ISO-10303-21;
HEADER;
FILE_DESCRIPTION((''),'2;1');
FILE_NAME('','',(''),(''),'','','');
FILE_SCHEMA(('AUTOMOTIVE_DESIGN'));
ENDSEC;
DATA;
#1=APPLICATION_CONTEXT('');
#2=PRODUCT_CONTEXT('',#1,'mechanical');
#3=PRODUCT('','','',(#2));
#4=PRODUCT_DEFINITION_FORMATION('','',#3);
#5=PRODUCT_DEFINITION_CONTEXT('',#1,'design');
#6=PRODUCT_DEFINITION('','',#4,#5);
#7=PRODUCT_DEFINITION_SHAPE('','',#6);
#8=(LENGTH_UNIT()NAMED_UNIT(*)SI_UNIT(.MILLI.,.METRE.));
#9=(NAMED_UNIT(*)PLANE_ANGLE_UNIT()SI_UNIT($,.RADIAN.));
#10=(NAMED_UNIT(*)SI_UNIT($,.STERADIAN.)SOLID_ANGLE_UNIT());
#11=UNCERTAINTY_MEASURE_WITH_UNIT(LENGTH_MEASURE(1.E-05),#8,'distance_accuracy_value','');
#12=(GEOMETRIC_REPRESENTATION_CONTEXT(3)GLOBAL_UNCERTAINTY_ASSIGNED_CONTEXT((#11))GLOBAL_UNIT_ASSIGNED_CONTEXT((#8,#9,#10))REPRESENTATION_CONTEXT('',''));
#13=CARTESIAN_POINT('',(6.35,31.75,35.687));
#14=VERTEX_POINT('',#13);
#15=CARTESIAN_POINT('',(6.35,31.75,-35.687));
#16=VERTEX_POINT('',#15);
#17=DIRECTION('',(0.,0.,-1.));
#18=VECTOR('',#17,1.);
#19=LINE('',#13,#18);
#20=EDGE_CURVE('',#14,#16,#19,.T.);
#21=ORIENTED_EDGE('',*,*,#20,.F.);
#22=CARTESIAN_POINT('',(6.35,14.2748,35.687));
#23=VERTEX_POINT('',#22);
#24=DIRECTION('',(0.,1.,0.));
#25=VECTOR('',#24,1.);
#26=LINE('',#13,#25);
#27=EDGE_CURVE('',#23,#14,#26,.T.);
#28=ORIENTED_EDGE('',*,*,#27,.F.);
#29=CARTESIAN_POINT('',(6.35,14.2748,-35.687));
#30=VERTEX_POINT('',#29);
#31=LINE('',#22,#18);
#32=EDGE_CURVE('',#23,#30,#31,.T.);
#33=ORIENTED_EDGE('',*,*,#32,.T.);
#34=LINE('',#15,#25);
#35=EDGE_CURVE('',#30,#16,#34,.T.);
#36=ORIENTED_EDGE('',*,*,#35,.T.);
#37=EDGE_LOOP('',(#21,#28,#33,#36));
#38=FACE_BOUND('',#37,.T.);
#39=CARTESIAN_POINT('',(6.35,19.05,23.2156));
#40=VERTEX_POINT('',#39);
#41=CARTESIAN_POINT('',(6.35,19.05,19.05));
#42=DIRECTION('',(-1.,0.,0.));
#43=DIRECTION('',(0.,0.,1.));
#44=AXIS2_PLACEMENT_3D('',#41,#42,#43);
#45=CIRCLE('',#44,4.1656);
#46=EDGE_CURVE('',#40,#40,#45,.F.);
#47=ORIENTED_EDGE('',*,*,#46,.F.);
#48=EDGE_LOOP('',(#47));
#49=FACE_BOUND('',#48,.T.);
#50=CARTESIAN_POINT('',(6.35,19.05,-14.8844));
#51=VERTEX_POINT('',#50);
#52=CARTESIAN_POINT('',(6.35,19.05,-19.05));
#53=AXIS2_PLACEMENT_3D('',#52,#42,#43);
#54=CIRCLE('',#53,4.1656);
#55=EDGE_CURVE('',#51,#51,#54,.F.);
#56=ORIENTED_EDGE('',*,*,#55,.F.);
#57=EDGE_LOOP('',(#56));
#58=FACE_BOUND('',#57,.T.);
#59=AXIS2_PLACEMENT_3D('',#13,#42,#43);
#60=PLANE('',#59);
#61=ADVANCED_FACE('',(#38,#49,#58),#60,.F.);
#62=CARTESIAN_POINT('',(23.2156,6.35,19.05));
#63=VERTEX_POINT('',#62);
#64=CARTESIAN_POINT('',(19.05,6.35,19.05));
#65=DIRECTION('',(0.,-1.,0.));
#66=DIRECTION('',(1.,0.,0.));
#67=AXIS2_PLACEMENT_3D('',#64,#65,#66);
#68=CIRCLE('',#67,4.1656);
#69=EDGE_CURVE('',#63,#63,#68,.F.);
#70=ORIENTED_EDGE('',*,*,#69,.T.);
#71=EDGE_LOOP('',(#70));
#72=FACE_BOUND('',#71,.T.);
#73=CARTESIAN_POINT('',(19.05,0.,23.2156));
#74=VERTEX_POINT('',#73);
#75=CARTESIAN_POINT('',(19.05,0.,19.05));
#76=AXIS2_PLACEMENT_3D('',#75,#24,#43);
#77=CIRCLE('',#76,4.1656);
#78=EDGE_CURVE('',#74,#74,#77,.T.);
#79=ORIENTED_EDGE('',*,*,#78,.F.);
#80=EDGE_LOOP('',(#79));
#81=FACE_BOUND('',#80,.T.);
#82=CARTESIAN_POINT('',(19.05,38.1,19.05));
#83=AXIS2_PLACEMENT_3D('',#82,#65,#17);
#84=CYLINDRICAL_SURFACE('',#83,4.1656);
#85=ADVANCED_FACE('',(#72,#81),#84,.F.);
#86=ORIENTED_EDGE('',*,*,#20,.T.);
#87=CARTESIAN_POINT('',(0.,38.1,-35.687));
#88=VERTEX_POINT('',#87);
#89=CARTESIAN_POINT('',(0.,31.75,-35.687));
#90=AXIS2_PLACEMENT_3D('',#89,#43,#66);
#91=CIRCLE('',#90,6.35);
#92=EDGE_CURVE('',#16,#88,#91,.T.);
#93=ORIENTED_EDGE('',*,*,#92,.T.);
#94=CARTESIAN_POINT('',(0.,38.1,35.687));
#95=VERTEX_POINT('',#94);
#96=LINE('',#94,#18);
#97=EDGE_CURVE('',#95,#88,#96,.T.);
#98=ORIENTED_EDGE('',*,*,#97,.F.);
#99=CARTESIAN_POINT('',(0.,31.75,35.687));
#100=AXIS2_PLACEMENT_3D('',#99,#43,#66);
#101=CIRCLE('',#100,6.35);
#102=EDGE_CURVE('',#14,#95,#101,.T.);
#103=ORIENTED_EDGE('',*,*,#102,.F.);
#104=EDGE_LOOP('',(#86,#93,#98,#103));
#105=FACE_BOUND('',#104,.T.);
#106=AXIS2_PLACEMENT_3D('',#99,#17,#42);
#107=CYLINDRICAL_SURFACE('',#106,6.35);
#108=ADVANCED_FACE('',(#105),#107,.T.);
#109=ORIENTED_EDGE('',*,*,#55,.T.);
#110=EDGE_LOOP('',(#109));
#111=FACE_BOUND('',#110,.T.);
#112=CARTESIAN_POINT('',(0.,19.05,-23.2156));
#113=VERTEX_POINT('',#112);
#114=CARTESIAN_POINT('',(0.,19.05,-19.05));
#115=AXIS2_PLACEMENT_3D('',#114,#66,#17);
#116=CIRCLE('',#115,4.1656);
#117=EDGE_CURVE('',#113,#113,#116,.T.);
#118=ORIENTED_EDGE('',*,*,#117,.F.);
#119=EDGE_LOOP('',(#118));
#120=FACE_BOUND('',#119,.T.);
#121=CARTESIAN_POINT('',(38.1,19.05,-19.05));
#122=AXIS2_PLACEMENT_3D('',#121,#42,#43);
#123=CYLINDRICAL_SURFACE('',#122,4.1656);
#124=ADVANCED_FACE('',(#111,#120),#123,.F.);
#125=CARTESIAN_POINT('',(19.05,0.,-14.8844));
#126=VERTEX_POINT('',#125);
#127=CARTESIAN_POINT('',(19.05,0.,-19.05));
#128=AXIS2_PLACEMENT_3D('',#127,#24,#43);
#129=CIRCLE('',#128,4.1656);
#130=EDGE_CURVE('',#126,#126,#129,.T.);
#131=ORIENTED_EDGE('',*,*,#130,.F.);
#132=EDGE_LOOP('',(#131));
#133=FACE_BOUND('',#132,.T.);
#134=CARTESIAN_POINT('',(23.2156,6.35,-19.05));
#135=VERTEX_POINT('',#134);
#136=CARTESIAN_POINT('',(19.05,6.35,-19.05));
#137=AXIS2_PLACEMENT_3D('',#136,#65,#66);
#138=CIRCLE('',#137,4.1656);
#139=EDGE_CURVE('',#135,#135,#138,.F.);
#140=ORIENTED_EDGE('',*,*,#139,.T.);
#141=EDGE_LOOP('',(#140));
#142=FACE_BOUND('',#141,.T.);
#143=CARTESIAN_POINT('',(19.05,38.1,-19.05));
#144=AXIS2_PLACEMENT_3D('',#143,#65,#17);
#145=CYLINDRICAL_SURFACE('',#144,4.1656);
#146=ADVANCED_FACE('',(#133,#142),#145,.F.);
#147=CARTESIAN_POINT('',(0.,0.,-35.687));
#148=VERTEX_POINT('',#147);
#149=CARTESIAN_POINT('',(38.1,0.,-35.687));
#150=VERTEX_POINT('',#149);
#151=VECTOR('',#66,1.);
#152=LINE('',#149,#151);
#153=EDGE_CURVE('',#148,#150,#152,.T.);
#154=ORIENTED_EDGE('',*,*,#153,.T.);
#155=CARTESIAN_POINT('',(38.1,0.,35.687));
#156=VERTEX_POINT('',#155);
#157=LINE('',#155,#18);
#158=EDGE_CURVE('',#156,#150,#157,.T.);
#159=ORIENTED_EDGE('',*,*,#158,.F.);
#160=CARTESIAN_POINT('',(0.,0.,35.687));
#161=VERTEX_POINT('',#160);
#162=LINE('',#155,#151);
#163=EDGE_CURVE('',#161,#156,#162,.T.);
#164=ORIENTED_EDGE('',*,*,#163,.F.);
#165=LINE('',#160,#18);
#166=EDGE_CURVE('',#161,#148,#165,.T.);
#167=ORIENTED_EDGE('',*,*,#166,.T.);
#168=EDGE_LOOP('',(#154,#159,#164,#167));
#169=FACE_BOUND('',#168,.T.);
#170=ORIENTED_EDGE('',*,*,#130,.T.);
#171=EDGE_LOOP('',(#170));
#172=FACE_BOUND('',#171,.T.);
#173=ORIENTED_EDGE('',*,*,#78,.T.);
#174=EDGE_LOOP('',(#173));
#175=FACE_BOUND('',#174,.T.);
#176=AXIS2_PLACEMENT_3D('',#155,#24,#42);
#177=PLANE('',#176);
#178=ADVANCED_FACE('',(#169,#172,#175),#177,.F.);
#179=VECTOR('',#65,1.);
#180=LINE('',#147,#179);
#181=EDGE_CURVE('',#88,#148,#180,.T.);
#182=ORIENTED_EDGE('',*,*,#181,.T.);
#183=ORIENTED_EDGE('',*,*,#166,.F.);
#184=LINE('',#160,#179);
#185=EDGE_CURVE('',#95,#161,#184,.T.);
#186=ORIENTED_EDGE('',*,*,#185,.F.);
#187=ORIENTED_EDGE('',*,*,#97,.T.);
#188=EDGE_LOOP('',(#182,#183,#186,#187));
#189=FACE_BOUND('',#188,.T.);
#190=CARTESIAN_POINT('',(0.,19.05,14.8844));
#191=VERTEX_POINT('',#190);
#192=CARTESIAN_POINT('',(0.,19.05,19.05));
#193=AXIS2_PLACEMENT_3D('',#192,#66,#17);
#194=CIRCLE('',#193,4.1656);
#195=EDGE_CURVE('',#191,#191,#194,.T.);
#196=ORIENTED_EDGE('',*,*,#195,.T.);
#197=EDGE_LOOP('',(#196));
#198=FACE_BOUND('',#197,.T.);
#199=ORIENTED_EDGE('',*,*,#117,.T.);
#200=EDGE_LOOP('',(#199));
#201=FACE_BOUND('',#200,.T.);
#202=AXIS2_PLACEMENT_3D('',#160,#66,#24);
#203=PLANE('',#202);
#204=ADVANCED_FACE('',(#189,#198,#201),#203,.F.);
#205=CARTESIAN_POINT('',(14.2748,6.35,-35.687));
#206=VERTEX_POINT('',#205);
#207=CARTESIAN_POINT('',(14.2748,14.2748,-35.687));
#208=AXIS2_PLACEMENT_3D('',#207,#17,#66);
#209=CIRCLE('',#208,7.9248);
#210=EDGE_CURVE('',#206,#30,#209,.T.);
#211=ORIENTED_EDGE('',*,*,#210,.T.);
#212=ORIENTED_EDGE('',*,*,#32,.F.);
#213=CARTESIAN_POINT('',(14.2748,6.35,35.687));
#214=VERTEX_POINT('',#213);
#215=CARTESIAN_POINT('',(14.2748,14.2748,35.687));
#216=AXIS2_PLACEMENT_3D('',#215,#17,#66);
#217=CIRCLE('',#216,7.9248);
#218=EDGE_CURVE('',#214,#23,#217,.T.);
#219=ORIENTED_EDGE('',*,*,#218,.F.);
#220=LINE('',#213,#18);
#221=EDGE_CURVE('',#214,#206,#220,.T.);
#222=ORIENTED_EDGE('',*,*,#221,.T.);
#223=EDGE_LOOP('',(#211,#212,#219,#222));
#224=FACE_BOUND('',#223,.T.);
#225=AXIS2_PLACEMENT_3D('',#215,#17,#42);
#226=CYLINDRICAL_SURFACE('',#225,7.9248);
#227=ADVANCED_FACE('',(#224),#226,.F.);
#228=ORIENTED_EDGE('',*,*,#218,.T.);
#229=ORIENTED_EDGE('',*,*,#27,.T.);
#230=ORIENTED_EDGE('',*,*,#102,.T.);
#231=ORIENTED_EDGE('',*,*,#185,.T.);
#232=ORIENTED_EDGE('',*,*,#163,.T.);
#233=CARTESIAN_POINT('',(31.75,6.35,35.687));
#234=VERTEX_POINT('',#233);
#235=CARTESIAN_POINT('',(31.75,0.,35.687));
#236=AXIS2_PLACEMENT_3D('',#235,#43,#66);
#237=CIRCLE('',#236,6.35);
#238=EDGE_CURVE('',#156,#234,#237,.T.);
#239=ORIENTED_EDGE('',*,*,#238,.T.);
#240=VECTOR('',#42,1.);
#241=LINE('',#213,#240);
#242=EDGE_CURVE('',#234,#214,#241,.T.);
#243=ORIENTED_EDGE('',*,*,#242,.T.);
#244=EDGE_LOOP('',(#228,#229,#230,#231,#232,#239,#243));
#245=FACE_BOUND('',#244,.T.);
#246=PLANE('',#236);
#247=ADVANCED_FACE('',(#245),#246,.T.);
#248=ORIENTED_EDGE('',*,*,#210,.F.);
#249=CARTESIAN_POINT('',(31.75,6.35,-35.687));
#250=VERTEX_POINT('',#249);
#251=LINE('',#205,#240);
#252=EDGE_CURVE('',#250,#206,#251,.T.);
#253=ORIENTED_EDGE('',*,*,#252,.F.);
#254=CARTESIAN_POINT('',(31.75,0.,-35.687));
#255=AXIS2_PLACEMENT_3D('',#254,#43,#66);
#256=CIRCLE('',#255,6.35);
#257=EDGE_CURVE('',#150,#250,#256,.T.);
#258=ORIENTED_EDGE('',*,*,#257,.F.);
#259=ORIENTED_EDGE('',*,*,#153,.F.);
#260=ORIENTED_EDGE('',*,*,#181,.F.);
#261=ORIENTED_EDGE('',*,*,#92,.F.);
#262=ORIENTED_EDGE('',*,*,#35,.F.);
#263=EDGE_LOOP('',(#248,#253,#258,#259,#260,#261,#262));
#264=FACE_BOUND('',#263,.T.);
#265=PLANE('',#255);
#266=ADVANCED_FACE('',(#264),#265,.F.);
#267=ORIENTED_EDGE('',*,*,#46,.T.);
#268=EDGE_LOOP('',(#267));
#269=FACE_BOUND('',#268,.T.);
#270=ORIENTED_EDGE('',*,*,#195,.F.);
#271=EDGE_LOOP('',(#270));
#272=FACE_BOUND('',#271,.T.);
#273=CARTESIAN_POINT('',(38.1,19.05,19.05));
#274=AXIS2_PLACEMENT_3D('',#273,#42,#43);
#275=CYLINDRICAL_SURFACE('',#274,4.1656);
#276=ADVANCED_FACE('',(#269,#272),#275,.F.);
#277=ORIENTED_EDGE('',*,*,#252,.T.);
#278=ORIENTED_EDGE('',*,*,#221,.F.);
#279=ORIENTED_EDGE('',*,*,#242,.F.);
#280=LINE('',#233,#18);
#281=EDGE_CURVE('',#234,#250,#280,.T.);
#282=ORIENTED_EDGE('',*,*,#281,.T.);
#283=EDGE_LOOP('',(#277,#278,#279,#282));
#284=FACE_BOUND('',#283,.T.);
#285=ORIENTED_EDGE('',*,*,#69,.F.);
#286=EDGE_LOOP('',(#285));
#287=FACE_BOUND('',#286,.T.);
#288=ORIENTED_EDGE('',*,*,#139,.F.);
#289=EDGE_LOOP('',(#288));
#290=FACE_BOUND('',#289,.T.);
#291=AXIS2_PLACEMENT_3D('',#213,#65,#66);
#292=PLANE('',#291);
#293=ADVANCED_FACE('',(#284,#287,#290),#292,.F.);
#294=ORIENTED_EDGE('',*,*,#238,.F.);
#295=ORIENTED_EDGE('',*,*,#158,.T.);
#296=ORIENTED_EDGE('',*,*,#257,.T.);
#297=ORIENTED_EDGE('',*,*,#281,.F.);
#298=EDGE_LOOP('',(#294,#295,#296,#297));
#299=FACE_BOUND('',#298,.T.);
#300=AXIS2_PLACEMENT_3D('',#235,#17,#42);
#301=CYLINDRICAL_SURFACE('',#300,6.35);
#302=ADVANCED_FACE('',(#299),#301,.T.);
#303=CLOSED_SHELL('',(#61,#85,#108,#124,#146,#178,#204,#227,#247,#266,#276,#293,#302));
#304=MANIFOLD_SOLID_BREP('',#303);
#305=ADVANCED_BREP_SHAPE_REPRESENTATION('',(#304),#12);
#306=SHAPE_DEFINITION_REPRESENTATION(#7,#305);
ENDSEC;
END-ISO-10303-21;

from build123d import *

# Parameters (mm, degrees)
BOSS_EXTRUDE1_DEPTH      = 35.687
BOSS_EXTRUDE1_DEPTH_BACK = 35.687
SKETCH3_R                = 4.1656
CUT_EXTRUDE1_DEPTH       = 39.1
SKETCH5_R                = 4.1656
CUT_EXTRUDE2_DEPTH       = 39.1


with BuildPart() as part:
    # Sketch4 → Boss-Extrude1 (new body, two sides)
    with BuildSketch(Plane.XY) as boss_extrude1_sk:
        with BuildLine():
            Line((38.1, 0), (0, 0))
            Line((0, 0), (0, 38.1))
            ThreePointArc((0, 38.1), (4.490128061, 36.240128061), (6.35, 31.75))
            Line((6.35, 31.75), (6.35, 14.2748))
            ThreePointArc((6.35, 14.2748), (8.67112018, 8.67112018), (14.2748, 6.35))
            Line((14.2748, 6.35), (31.75, 6.35))
            ThreePointArc((31.75, 6.35), (36.240128061, 4.490128061), (38.1, 0))
        make_face()
    extrude(amount=BOSS_EXTRUDE1_DEPTH)
    extrude(boss_extrude1_sk.sketch, amount=-BOSS_EXTRUDE1_DEPTH_BACK)

    # Sketch3 → Cut-Extrude1 (cut, through all)
    with BuildSketch(Plane(origin=(0, 0, 0), x_dir=(1, 0, 0), z_dir=(0, 1, 0))):
        with Locations((19.05, -19.05)):
            Circle(SKETCH3_R)
        with Locations((19.05, 19.05)):
            Circle(SKETCH3_R)
    extrude(amount=CUT_EXTRUDE1_DEPTH, mode=Mode.SUBTRACT)

    # Sketch5 → Cut-Extrude2 (cut, through all)
    with BuildSketch(Plane(origin=(0, 0, 0), x_dir=(0, 0, -1), z_dir=(1, 0, 0))):
        with Locations((-19.05, 19.05)):
            Circle(SKETCH5_R)
        with Locations((19.05, 19.05)):
            Circle(SKETCH5_R)
    extrude(amount=CUT_EXTRUDE2_DEPTH, mode=Mode.SUBTRACT)


solid = part.part
